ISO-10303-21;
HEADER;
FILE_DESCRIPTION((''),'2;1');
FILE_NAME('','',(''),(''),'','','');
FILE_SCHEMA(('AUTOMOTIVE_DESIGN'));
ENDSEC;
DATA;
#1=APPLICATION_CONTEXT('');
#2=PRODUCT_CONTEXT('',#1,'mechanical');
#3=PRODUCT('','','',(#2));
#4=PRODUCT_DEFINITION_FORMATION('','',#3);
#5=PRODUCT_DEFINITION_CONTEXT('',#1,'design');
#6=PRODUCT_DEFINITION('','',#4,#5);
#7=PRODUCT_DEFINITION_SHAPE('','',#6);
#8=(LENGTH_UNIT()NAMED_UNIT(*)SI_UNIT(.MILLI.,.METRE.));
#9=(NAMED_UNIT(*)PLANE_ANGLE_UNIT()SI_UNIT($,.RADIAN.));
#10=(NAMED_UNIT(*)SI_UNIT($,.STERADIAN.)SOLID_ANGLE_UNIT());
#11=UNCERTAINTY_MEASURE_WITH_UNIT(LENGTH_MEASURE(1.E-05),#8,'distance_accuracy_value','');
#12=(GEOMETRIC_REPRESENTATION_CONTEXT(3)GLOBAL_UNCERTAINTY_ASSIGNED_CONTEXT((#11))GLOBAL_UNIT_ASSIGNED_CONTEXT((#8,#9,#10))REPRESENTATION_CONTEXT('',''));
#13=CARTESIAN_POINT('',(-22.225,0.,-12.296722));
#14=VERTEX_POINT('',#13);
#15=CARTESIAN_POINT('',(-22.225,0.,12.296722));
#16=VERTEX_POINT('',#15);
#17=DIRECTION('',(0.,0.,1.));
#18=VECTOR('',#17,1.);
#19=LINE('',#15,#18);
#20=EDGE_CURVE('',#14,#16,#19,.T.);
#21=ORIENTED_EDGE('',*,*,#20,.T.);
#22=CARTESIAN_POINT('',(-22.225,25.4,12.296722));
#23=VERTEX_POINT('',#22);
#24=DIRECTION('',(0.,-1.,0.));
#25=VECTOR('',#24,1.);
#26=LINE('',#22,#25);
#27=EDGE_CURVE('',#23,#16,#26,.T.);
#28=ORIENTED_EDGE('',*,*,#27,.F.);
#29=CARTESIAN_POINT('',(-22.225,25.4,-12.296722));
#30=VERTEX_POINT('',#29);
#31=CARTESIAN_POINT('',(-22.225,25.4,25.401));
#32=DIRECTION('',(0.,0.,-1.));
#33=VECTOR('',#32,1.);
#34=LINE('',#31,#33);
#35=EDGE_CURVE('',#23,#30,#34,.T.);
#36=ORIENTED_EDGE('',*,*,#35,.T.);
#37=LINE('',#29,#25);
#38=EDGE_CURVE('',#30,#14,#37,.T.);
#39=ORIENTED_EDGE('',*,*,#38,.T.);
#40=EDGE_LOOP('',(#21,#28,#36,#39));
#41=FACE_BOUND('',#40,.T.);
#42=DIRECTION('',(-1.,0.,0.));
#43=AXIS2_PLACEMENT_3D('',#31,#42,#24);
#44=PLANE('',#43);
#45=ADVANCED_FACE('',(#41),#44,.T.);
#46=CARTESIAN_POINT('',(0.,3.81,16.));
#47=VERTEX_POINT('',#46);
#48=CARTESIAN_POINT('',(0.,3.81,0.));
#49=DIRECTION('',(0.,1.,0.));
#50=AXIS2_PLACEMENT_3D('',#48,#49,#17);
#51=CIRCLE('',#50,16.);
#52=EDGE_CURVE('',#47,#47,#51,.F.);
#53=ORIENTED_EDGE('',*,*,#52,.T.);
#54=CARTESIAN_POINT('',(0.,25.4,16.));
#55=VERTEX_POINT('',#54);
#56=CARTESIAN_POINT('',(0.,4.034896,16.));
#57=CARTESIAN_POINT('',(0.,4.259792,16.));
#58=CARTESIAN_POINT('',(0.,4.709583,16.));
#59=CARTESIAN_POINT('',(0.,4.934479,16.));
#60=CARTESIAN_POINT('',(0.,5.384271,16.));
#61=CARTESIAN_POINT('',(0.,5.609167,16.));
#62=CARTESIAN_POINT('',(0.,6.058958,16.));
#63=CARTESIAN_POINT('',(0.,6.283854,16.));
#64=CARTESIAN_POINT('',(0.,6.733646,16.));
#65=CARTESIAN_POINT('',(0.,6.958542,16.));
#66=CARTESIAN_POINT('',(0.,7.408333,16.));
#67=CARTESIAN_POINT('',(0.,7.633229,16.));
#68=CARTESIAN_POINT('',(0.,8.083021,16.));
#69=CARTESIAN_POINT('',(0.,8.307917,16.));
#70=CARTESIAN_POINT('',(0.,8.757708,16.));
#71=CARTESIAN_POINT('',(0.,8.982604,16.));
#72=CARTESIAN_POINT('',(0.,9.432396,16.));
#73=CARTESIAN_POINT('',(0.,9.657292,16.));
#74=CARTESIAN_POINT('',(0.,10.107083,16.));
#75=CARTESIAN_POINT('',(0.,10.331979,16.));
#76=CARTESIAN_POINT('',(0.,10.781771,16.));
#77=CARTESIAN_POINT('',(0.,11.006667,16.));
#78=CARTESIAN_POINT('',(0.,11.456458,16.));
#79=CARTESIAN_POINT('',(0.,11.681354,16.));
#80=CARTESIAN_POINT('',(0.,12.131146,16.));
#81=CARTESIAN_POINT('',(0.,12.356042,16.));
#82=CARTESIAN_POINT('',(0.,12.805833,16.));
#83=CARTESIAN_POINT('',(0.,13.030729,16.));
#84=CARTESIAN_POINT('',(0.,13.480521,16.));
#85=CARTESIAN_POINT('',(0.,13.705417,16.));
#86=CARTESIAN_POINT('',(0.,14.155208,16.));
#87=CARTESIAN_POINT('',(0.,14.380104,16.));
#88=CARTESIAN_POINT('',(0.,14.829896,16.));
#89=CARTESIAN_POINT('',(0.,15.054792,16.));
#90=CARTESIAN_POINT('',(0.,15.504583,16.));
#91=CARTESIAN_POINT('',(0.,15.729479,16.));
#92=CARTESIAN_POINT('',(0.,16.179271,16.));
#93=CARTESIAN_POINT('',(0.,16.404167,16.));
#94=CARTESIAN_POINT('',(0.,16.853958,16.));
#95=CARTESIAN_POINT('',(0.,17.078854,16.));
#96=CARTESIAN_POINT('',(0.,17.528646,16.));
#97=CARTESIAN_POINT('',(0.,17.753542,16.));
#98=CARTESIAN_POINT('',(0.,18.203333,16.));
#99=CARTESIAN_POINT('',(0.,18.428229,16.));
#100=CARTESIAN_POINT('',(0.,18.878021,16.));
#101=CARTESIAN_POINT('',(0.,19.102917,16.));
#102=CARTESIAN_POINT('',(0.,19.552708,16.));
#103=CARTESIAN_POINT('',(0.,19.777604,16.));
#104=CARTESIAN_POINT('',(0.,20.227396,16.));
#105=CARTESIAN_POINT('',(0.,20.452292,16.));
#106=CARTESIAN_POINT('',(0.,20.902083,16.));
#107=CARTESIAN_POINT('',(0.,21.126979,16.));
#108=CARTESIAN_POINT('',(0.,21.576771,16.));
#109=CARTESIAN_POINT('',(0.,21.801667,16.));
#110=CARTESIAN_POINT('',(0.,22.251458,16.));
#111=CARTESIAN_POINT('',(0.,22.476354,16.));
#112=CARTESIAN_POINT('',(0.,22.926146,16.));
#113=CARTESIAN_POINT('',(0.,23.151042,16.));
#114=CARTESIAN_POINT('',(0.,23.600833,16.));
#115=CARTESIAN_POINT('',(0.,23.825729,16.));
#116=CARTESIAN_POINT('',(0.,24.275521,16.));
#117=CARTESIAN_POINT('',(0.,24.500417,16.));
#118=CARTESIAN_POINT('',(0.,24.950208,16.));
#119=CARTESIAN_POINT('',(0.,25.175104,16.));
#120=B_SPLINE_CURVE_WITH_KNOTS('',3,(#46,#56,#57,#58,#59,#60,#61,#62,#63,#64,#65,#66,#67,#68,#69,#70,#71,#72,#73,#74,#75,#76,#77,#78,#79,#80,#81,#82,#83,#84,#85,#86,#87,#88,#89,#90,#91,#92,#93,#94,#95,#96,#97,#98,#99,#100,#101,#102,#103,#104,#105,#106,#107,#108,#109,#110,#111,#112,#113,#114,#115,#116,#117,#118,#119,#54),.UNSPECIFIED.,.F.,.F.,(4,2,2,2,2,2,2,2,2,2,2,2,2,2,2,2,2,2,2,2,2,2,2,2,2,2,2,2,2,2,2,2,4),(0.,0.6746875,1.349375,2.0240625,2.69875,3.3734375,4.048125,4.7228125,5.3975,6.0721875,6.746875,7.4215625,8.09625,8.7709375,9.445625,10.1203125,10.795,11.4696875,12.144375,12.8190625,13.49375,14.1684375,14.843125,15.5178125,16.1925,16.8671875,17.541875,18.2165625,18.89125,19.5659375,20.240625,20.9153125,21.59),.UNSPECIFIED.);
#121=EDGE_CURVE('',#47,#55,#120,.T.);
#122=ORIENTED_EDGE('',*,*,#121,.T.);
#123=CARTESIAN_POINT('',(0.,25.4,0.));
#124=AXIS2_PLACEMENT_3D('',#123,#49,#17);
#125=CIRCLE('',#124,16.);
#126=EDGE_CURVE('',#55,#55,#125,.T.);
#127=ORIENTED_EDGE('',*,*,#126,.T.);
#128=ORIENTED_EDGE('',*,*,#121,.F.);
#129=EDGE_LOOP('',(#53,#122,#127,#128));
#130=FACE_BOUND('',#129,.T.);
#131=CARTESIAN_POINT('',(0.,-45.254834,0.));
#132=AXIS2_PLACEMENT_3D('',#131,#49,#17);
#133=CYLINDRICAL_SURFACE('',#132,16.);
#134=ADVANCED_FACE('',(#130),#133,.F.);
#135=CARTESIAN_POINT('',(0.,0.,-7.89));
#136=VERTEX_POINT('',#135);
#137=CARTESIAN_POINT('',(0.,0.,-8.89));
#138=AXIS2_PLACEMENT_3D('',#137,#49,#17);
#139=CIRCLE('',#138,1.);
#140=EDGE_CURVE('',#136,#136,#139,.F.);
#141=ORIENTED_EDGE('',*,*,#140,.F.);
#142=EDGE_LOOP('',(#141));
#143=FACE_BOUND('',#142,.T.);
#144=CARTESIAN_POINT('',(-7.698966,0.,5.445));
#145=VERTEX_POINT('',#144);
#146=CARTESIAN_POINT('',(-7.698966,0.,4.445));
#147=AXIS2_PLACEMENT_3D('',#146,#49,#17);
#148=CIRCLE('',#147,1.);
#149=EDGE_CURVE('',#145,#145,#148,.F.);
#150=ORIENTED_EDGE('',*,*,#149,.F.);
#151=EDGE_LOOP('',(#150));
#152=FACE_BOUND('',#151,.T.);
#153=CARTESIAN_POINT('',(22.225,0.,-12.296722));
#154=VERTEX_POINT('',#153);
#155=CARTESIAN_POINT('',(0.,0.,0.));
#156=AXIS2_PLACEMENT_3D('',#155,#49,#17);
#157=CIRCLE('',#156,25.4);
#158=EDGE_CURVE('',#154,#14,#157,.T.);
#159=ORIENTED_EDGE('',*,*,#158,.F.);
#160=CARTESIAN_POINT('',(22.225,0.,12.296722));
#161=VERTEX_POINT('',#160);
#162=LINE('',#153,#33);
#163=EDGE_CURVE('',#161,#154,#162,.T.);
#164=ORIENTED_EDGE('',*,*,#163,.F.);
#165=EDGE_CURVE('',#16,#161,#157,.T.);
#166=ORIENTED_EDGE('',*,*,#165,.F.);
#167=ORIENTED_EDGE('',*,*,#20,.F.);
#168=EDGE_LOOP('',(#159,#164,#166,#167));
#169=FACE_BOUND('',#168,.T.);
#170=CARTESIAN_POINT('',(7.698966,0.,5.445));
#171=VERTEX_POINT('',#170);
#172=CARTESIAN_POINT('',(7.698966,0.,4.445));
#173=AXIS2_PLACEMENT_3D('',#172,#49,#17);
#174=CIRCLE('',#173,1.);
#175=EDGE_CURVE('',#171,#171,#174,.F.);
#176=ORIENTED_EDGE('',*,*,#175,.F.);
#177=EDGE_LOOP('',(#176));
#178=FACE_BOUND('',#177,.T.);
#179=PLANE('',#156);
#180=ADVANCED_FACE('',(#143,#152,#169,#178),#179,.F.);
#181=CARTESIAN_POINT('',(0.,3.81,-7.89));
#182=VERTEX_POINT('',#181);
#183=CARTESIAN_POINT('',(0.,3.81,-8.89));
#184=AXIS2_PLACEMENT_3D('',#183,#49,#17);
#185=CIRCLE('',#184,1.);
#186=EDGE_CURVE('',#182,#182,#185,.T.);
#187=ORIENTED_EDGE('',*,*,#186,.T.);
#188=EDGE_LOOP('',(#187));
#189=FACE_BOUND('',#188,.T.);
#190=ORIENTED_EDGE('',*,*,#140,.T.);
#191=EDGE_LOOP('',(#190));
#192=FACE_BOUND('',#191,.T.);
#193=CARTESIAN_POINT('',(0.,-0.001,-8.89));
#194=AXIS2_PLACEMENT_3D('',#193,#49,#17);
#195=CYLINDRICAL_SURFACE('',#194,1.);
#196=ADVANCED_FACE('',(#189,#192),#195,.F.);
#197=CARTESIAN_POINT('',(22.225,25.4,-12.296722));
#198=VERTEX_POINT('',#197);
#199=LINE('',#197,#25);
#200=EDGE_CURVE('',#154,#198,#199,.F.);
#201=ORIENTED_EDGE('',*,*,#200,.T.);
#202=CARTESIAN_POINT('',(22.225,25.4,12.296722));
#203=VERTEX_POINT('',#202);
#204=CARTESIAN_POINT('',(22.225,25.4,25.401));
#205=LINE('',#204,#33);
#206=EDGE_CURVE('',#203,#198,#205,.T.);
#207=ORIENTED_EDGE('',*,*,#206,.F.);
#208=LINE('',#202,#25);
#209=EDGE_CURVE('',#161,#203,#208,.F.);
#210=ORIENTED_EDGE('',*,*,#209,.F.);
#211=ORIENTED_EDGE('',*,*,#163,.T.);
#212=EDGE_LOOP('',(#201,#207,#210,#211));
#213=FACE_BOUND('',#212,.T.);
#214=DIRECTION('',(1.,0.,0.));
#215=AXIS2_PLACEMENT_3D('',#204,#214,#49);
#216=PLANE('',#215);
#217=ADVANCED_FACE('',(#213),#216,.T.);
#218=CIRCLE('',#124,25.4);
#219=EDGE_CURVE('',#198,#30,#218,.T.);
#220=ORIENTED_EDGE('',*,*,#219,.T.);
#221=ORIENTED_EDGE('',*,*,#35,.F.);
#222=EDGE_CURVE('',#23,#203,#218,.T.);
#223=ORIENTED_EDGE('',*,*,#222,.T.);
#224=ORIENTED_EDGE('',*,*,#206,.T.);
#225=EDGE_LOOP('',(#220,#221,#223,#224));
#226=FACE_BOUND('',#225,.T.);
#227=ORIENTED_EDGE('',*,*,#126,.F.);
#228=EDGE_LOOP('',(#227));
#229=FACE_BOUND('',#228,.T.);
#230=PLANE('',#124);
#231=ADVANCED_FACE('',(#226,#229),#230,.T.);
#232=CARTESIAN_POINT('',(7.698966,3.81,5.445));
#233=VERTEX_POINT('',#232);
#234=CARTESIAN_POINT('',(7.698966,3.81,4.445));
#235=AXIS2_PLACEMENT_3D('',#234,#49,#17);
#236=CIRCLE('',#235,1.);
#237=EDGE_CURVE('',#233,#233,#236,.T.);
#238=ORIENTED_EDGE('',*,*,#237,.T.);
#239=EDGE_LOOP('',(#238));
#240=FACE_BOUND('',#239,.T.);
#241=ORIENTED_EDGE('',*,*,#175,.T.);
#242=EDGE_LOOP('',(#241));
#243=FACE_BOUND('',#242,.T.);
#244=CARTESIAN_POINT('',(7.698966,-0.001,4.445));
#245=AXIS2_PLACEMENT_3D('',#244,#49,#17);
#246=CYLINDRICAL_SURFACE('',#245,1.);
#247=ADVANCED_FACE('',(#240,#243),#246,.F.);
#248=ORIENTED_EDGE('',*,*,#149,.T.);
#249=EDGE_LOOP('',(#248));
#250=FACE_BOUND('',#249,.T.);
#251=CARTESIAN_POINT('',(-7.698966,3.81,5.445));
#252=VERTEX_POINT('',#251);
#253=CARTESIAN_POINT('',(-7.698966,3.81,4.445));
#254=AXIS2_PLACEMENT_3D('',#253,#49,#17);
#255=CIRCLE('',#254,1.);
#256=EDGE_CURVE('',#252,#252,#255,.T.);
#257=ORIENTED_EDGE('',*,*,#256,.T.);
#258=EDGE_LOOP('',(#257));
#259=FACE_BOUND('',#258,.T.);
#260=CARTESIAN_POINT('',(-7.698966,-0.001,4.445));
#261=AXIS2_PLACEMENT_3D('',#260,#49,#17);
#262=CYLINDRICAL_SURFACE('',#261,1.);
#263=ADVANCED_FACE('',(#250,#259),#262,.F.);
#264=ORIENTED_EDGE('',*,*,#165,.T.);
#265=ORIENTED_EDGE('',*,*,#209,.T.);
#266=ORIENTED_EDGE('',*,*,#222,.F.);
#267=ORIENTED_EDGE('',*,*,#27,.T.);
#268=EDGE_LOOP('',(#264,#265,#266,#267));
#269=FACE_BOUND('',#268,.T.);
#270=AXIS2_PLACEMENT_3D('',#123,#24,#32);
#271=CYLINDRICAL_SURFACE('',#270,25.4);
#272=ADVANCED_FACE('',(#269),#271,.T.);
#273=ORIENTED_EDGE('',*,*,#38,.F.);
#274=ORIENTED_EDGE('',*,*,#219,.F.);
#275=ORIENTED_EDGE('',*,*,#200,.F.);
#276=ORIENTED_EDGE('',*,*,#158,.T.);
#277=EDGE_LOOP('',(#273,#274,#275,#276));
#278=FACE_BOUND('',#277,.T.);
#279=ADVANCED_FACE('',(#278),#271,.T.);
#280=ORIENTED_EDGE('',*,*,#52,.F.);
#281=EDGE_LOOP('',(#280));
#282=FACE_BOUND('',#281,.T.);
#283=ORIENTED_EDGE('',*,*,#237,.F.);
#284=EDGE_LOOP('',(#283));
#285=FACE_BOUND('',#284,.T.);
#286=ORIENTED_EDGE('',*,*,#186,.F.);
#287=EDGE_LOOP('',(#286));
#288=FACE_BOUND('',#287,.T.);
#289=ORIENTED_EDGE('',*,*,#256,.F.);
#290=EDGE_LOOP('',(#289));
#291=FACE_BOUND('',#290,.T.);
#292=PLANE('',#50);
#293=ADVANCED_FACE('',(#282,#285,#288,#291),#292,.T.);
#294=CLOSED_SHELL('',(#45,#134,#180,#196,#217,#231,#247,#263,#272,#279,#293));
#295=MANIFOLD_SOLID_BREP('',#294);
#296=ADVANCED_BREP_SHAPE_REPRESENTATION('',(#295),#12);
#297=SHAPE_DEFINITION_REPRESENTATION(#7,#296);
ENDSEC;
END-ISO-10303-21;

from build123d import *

# Parameters (mm, degrees)
SKETCH1_R                           = 25.4
BOSS_EXTRUDE1_DEPTH                 = 25.4
SKETCH2_R                           = 16
CUT_EXTRUDE1_DEPTH                  = 21.59
CUT_EXTRUDE2_REACH                  = 45.994
CUT_EXTRUDE2_END_RADIUS             = 25.4
SKETCH3_W                           = 3.175
SKETCH3_H                           = 16.51
CUT_EXTRUDE2_DIRECTION_2_REACH      = 45.994
CUT_EXTRUDE2_DIRECTION_2_END_RADIUS = 25.4
CUT_EXTRUDE3_REACH                  = 43.91
SKETCH4_R                           = 1
CUT_EXTRUDE4_REACH                  = 41.534


with BuildPart() as part:
    # Sketch1 → Boss-Extrude1 (new body)
    with BuildSketch(Plane(origin=(0, 0, 0), x_dir=(1, 0, 0), z_dir=(0, 1, 0))):
        with Locations(Location((0, 0, 0), (0, 0, 270))):
            Circle(SKETCH1_R)
    extrude(amount=BOSS_EXTRUDE1_DEPTH)

    # Sketch2 → Cut-Extrude1 (cut)
    with BuildSketch(Plane(origin=(0, 25.4, 0), x_dir=(1, 0, 0), z_dir=(0, 1, 0))):
        with Locations(Location((0, 0, 0), (0, 0, 270))):
            Circle(SKETCH2_R)
    extrude(amount=-CUT_EXTRUDE1_DEPTH, mode=Mode.SUBTRACT)

    # Cut-Extrude2: up to this cylinder (the profile starts inside it)
    cut_extrude2_end = Plane(origin=(0, 17.145, 0), z_dir=(0, -1, 0)) * Cylinder(CUT_EXTRUDE2_END_RADIUS, 143.788, mode=Mode.PRIVATE)
    # Sketch3 → Cut-Extrude2 (cut, up to the surface)
    with BuildSketch(Plane.XY, mode=Mode.PRIVATE) as cut_extrude2_sk1:
        with Locations((23.8125, 17.145)):
            Rectangle(SKETCH3_W, SKETCH3_H)
    cut_extrude2_tool1 = extrude(cut_extrude2_sk1.sketch, amount=-CUT_EXTRUDE2_REACH, mode=Mode.PRIVATE) & cut_extrude2_end
    add(cut_extrude2_tool1.solids().sort_by_distance((23.8125, 17.145, 0))[0], mode=Mode.SUBTRACT)
    # Sketch3 → Cut-Extrude2 (cut, up to the surface)
    with BuildSketch(Plane.XY, mode=Mode.PRIVATE) as cut_extrude2_sk2:
        with Locations((-23.8125, 17.145)):
            Rectangle(SKETCH3_W, SKETCH3_H)
    cut_extrude2_tool2 = extrude(cut_extrude2_sk2.sketch, amount=-CUT_EXTRUDE2_REACH, mode=Mode.PRIVATE) & cut_extrude2_end
    add(cut_extrude2_tool2.solids().sort_by_distance((-23.8125, 17.145, 0))[0], mode=Mode.SUBTRACT)

    # Cut-Extrude2 direction 2: up to this cylinder (the profile starts inside it)
    cut_extrude2_direction_2_end = Plane(origin=(0, 17.145, 0), z_dir=(0, -1, 0)) * Cylinder(CUT_EXTRUDE2_DIRECTION_2_END_RADIUS, 143.788, mode=Mode.PRIVATE)
    # Sketch3 → Cut-Extrude2 direction 2 (cut, up to the surface)
    with BuildSketch(Plane.XY, mode=Mode.PRIVATE) as cut_extrude2_direction_2_sk1:
        with Locations((23.8125, 17.145)):
            Rectangle(SKETCH3_W, SKETCH3_H)
    cut_extrude2_direction_2_tool1 = extrude(cut_extrude2_direction_2_sk1.sketch, amount=CUT_EXTRUDE2_DIRECTION_2_REACH, mode=Mode.PRIVATE) & cut_extrude2_direction_2_end
    add(cut_extrude2_direction_2_tool1.solids().sort_by_distance((23.8125, 17.145, 0))[0], mode=Mode.SUBTRACT)
    # Sketch3 → Cut-Extrude2 direction 2 (cut, up to the surface)
    with BuildSketch(Plane.XY, mode=Mode.PRIVATE) as cut_extrude2_direction_2_sk2:
        with Locations((-23.8125, 17.145)):
            Rectangle(SKETCH3_W, SKETCH3_H)
    cut_extrude2_direction_2_tool2 = extrude(cut_extrude2_direction_2_sk2.sketch, amount=CUT_EXTRUDE2_DIRECTION_2_REACH, mode=Mode.PRIVATE) & cut_extrude2_direction_2_end
    add(cut_extrude2_direction_2_tool2.solids().sort_by_distance((-23.8125, 17.145, 0))[0], mode=Mode.SUBTRACT)

    # Sketch4 → Cut-Extrude3 (cut, up to next)
    with BuildSketch(Plane(origin=(0, 3.81, 0), x_dir=(1, 0, 0), z_dir=(0, 1, 0)), mode=Mode.PRIVATE) as cut_extrude3_sk1:
        with Locations(Location((0, 8.89, 0), (0, 0, 270))):
            Circle(SKETCH4_R)
    cut_extrude3_tool1 = extrude(cut_extrude3_sk1.sketch, amount=-CUT_EXTRUDE3_REACH, mode=Mode.PRIVATE) & part.part
    # Sketch4 → Cut-Extrude3 (cut, up to next)
    with BuildSketch(Plane(origin=(0, 3.81, 0), x_dir=(1, 0, 0), z_dir=(0, 1, 0)), mode=Mode.PRIVATE) as cut_extrude3_sk2:
        with Locations(Location((7.69896584, -4.445, 0), (0, 0, 270))):
            Circle(SKETCH4_R)
    cut_extrude3_tool2 = extrude(cut_extrude3_sk2.sketch, amount=-CUT_EXTRUDE3_REACH, mode=Mode.PRIVATE) & part.part
    # Sketch4 → Cut-Extrude3 (cut, up to next)
    with BuildSketch(Plane(origin=(0, 3.81, 0), x_dir=(1, 0, 0), z_dir=(0, 1, 0)), mode=Mode.PRIVATE) as cut_extrude3_sk3:
        with Locations(Location((-7.69896584, -4.445, 0), (0, 0, 270))):
            Circle(SKETCH4_R)
    cut_extrude3_tool3 = extrude(cut_extrude3_sk3.sketch, amount=-CUT_EXTRUDE3_REACH, mode=Mode.PRIVATE) & part.part
    add(cut_extrude3_tool1.solids().sort_by_distance((0, 3.81, -8.89))[0], mode=Mode.SUBTRACT)
    add(cut_extrude3_tool2.solids().sort_by_distance((7.698966, 3.81, 4.445))[0], mode=Mode.SUBTRACT)
    add(cut_extrude3_tool3.solids().sort_by_distance((-7.698966, 3.81, 4.445))[0], mode=Mode.SUBTRACT)

    # Sketch5 → Cut-Extrude4 (cut, up to next)
    with BuildSketch(Plane(origin=(0, 8.89, 0), x_dir=(1, 0, 0), z_dir=(0, 1, 0)), mode=Mode.PRIVATE) as cut_extrude4_sk1:
        with BuildLine():
            Line((22.225, 12.296722124), (22.225, -12.296722124))
            ThreePointArc((22.225, -12.296722124), (25.4, 0), (22.225, 12.296722124))
        make_face()
    cut_extrude4_tool1 = extrude(cut_extrude4_sk1.sketch, amount=-CUT_EXTRUDE4_REACH, mode=Mode.PRIVATE) & part.part
    # Sketch5 → Cut-Extrude4 (cut, up to next)
    with BuildSketch(Plane(origin=(0, 8.89, 0), x_dir=(1, 0, 0), z_dir=(0, 1, 0)), mode=Mode.PRIVATE) as cut_extrude4_sk2:
        with BuildLine():
            Line((-22.225, -12.296722124), (-22.225, 12.296722124))
            ThreePointArc((-22.225, 12.296722124), (-25.4, 0), (-22.225, -12.296722124))
        make_face()
    cut_extrude4_tool2 = extrude(cut_extrude4_sk2.sketch, amount=-CUT_EXTRUDE4_REACH, mode=Mode.PRIVATE) & part.part
    add(cut_extrude4_tool1.solids().sort_by_distance((23.502059, 8.89, 0))[0], mode=Mode.SUBTRACT)
    add(cut_extrude4_tool2.solids().sort_by_distance((-23.502059, 8.89, 0))[0], mode=Mode.SUBTRACT)


solid = part.part
